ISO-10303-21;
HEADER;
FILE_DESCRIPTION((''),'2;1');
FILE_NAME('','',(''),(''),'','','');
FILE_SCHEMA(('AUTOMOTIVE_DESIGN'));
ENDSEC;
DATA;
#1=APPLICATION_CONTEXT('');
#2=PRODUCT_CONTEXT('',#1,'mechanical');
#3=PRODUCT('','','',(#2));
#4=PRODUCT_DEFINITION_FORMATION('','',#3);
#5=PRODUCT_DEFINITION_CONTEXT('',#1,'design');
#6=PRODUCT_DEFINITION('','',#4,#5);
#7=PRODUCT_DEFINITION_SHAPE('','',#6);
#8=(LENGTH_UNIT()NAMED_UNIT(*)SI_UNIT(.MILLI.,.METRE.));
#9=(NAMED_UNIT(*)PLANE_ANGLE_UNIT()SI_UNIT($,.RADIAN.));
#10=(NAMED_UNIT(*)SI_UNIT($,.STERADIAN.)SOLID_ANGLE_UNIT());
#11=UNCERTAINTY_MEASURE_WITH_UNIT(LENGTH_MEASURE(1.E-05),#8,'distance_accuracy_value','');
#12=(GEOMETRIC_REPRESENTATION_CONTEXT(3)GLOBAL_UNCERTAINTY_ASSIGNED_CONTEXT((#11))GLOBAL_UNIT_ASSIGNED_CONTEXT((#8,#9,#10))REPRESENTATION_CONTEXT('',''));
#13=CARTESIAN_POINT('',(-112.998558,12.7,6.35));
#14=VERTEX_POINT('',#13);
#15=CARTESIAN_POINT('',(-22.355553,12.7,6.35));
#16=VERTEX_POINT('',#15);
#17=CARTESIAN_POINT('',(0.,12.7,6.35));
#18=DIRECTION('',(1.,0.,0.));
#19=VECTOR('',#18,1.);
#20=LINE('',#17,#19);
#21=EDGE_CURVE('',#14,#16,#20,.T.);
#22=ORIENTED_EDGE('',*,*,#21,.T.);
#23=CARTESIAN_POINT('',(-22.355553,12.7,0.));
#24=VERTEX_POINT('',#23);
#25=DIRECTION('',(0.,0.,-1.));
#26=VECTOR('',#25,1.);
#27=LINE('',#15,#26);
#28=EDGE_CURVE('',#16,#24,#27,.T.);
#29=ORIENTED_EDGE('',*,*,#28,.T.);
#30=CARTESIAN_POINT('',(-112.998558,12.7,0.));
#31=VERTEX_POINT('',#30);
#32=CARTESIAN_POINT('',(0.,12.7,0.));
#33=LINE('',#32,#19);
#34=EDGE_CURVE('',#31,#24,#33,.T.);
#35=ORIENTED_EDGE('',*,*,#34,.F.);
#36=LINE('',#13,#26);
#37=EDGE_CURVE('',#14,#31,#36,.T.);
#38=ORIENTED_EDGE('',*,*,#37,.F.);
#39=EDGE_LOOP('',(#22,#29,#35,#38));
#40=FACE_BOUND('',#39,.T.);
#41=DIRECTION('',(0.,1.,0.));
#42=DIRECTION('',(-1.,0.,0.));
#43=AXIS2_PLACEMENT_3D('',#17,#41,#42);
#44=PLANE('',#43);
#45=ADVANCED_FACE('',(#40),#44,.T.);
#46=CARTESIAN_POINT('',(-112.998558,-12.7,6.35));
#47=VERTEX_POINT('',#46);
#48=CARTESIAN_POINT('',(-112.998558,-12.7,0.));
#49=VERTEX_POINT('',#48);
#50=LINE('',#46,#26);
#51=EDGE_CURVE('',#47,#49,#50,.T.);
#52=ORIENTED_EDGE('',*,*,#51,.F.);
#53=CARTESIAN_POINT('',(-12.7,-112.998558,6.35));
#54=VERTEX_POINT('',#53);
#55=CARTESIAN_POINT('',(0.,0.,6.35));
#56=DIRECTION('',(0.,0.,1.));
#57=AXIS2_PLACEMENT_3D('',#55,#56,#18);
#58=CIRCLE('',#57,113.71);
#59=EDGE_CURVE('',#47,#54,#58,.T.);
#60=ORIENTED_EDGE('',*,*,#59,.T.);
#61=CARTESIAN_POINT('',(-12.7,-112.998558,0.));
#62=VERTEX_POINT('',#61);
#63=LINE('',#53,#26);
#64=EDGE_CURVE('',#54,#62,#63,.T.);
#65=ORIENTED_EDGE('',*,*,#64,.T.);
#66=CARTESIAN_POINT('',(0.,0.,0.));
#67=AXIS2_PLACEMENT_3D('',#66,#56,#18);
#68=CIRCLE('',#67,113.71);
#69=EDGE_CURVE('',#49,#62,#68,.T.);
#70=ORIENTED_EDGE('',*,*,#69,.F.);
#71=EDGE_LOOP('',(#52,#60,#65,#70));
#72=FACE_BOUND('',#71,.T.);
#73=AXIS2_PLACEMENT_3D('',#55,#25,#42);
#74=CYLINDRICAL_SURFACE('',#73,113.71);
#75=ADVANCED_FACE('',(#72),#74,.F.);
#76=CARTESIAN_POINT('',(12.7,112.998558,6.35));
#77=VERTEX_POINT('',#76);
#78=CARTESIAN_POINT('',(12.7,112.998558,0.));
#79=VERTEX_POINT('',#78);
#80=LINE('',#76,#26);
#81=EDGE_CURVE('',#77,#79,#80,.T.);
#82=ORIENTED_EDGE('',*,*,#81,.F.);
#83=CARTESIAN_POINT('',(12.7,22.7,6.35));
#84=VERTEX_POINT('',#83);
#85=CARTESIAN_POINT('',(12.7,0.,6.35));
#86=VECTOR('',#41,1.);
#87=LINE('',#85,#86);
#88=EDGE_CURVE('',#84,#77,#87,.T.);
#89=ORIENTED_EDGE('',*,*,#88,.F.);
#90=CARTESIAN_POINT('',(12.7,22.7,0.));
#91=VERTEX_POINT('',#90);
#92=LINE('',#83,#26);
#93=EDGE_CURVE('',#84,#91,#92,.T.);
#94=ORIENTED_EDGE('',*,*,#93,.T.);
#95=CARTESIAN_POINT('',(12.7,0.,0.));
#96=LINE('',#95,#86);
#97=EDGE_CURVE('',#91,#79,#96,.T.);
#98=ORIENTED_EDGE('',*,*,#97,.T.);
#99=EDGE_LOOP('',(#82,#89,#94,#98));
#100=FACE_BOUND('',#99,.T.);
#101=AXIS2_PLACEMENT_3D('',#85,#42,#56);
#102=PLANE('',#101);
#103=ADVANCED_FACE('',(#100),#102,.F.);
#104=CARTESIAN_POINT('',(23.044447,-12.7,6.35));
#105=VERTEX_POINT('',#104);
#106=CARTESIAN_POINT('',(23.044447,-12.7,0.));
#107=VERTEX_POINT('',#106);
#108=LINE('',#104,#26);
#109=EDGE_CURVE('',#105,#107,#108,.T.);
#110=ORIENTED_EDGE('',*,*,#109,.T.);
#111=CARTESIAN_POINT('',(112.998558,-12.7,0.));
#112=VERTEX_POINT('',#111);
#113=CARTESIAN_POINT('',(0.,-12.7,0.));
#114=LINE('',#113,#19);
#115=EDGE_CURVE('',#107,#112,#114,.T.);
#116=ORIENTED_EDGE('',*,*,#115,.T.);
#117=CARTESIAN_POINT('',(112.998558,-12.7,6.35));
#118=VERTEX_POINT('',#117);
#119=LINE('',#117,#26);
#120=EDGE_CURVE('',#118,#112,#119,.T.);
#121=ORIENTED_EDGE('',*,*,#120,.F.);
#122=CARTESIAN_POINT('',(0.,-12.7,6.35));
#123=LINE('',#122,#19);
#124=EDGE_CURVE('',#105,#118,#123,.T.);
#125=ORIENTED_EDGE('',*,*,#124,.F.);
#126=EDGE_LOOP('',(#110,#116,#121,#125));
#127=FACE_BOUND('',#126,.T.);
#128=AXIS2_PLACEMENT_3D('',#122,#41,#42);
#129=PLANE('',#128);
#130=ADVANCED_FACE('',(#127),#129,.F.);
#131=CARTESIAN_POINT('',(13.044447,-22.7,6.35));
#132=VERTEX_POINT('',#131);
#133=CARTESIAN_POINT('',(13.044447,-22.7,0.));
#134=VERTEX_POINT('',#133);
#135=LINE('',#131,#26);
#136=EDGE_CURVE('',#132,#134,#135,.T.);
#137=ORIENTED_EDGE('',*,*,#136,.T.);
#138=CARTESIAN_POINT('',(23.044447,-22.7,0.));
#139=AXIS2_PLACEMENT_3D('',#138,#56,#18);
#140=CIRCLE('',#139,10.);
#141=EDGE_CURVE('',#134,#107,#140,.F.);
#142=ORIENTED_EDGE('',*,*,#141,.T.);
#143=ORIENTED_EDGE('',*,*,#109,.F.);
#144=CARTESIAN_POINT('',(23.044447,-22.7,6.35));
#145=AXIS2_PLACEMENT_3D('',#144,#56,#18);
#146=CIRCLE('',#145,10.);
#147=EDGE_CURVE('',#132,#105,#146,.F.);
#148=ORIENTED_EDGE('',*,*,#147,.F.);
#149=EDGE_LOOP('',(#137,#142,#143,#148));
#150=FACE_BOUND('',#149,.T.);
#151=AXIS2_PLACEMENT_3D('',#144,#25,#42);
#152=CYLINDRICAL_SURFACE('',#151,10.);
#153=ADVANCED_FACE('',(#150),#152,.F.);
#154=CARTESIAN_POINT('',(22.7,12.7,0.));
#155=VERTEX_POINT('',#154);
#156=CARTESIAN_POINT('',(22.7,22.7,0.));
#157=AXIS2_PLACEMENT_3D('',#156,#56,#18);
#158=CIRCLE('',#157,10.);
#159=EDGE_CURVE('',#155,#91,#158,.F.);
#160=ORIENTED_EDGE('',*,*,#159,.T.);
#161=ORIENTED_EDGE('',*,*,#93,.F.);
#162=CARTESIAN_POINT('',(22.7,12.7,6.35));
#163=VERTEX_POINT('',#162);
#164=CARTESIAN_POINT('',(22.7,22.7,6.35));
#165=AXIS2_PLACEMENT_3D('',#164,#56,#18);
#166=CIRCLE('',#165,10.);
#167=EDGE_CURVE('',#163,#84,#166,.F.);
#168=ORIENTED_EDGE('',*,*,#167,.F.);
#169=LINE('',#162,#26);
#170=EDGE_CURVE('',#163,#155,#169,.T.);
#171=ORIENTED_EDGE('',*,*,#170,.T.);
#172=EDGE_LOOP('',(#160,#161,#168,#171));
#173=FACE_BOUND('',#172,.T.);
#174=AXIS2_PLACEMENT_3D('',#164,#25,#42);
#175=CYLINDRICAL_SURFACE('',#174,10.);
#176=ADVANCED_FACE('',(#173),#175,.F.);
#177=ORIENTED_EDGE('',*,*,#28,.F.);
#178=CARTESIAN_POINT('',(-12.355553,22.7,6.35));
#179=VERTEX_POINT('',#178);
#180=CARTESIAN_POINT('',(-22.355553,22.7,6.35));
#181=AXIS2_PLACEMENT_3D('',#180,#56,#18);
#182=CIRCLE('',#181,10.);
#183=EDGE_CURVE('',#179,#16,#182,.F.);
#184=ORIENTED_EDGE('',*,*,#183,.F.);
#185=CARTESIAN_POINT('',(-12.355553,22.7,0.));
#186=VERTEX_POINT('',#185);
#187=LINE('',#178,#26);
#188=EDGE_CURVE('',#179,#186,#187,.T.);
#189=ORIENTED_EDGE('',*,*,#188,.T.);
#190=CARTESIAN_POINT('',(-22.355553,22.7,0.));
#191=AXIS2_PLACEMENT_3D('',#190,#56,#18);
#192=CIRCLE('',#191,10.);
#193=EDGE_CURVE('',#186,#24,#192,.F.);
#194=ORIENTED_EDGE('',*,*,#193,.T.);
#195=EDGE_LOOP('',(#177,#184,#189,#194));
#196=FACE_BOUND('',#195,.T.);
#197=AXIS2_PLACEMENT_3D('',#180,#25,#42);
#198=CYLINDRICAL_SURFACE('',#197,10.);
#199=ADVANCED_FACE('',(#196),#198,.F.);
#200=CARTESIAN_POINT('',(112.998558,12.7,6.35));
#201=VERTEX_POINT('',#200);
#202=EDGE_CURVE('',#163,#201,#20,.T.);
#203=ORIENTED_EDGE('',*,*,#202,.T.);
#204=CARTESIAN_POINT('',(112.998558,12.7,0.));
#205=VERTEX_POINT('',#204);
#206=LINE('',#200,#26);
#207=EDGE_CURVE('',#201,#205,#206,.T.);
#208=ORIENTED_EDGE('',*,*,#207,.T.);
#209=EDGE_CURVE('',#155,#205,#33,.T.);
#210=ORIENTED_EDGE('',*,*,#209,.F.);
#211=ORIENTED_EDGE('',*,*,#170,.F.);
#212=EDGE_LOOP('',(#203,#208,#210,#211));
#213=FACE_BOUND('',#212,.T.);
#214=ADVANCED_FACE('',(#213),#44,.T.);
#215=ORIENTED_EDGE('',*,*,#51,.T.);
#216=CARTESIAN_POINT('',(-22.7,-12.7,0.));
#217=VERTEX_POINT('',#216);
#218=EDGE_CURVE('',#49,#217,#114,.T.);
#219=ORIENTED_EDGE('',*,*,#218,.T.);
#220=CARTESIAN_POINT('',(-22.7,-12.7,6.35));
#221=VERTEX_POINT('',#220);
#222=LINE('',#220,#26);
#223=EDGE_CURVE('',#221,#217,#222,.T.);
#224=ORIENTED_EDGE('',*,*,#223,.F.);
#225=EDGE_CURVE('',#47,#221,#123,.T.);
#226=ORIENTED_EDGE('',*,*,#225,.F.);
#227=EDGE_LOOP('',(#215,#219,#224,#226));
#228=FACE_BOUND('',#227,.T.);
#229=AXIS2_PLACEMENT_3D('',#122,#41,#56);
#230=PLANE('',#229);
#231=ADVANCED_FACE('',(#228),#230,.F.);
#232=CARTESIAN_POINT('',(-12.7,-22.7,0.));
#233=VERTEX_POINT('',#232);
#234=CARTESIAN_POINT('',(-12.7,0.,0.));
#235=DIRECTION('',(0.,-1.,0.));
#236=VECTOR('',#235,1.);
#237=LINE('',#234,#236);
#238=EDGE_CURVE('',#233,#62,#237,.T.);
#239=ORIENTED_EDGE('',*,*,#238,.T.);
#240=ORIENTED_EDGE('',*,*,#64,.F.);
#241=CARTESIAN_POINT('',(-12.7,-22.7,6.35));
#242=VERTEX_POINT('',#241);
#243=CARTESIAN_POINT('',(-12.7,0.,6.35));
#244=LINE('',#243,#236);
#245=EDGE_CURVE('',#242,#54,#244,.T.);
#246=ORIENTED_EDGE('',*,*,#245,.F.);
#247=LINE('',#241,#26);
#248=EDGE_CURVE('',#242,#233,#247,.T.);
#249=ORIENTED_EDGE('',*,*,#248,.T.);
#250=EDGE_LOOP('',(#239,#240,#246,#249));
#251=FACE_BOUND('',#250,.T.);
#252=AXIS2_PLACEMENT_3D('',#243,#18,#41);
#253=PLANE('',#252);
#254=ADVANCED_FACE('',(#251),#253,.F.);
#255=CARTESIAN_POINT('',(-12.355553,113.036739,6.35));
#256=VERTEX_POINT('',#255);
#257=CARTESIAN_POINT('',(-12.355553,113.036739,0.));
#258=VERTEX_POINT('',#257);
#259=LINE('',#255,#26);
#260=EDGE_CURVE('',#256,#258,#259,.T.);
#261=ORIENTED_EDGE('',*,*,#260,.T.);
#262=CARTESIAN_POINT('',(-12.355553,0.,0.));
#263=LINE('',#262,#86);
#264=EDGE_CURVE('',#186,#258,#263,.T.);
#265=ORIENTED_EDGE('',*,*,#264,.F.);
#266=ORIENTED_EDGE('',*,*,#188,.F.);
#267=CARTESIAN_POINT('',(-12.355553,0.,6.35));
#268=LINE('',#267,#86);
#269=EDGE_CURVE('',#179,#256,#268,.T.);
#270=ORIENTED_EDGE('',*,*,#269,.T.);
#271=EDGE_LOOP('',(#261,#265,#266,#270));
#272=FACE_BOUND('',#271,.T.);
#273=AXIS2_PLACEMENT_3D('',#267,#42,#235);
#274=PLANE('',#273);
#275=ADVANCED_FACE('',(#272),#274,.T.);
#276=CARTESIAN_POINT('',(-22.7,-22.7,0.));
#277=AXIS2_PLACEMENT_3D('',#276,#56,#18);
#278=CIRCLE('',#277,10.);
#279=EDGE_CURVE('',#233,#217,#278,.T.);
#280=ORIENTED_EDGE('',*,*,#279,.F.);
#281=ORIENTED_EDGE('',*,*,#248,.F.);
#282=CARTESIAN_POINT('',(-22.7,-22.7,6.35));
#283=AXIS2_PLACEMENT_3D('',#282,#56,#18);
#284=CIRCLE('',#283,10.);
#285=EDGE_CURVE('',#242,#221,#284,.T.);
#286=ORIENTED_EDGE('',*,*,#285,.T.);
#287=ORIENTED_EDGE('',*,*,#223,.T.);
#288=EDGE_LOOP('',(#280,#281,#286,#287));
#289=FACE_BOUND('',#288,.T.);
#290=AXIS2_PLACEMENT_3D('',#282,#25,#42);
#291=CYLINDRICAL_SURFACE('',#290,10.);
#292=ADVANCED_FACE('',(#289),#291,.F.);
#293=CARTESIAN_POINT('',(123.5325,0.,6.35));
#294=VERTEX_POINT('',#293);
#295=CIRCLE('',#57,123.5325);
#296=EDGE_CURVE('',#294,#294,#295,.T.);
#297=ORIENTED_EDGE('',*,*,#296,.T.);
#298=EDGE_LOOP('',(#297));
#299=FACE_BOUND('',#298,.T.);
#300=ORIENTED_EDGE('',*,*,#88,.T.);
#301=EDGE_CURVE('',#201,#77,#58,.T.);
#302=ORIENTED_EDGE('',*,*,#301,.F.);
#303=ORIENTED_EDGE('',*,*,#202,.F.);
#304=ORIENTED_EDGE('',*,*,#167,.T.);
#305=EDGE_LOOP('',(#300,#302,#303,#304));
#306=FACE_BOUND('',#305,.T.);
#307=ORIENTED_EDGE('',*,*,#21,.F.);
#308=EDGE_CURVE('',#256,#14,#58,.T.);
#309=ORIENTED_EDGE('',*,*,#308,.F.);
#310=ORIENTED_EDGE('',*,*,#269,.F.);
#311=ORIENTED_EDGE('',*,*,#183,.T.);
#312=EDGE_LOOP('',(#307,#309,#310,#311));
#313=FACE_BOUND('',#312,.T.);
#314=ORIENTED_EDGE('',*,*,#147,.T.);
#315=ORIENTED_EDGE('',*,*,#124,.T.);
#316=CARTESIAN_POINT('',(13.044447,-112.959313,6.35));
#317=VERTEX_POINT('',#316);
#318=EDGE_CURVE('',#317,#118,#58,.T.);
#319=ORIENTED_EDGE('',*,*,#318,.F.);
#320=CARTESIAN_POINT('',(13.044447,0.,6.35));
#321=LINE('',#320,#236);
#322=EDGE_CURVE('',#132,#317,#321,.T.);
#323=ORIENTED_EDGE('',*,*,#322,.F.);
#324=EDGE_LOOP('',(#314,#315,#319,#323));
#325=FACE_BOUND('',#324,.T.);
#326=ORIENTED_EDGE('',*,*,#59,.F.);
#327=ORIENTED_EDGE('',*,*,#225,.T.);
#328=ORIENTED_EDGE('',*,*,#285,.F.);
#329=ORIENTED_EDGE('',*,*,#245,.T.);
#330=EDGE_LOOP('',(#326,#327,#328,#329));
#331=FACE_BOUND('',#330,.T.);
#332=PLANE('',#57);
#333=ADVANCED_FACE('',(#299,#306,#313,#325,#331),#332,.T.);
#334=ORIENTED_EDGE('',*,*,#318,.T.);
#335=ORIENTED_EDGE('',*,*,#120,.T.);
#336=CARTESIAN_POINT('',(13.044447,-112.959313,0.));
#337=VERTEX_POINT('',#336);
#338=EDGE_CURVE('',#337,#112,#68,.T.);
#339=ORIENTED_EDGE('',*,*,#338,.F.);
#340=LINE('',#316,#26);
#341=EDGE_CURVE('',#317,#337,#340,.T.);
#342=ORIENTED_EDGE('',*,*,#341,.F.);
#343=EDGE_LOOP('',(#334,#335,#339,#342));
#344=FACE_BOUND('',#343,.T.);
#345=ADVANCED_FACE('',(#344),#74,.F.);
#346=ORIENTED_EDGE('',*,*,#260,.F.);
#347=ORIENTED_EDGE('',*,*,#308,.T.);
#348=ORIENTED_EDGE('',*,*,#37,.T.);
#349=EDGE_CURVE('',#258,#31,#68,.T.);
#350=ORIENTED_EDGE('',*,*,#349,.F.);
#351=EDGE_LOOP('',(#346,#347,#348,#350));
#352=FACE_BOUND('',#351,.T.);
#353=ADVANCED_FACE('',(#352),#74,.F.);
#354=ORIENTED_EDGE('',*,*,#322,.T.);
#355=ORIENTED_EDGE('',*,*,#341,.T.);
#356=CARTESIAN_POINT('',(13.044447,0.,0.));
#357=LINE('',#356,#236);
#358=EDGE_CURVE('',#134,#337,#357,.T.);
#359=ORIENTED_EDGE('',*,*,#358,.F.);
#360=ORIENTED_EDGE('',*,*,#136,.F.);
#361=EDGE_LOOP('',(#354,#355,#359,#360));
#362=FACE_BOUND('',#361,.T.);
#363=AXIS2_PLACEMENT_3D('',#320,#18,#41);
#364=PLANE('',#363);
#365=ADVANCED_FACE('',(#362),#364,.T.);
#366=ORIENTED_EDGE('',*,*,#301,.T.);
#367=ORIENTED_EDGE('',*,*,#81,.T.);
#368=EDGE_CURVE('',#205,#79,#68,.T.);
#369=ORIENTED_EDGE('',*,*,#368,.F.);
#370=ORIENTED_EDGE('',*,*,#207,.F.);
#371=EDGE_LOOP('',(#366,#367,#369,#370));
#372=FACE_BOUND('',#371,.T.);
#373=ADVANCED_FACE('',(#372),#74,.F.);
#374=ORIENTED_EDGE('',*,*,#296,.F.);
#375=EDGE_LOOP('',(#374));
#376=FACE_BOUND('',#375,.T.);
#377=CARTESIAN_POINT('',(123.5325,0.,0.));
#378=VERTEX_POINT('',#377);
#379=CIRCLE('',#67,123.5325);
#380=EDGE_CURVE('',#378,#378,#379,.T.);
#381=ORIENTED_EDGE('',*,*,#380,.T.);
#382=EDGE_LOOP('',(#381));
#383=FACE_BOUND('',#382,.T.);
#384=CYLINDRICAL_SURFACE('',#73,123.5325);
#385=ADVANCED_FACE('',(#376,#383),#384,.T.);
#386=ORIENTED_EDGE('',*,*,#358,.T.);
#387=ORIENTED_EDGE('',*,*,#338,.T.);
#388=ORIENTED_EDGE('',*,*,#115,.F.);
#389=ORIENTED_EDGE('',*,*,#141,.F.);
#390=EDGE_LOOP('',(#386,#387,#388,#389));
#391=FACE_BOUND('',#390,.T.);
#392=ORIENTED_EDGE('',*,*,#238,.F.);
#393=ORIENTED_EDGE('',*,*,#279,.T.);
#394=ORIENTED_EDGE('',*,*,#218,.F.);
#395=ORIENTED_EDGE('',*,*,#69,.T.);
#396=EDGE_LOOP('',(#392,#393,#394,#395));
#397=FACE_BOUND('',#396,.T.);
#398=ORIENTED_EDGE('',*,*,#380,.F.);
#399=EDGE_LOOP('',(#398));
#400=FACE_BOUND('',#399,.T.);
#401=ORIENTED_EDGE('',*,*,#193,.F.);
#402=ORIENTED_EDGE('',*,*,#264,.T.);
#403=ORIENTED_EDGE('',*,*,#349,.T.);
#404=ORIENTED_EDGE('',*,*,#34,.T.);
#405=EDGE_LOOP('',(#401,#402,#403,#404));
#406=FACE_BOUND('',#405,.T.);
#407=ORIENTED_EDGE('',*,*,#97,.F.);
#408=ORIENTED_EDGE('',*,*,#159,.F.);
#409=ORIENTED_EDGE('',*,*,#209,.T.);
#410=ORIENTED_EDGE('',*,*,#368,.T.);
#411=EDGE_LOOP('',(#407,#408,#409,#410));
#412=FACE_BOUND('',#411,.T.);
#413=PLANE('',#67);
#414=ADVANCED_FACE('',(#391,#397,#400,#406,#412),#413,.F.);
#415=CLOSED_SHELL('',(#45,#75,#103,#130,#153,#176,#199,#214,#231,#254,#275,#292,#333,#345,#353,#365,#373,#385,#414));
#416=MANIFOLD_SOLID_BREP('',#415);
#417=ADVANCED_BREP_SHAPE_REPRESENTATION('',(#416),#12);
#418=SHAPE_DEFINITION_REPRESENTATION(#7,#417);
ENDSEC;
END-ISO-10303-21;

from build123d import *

# Parameters (mm, degrees)
SKETCH1_R           = 123.5325
SKETCH1_R_2         = 113.71
BOSS_EXTRUDE1_DEPTH = 6.35


with BuildPart() as part:
    # Sketch1 → Boss-Extrude1 (new body)
    # profile 1 of 2: a face of its own
    with BuildSketch(Plane.XY):
        Circle(SKETCH1_R)
        Circle(SKETCH1_R_2, mode=Mode.SUBTRACT)
    # profile 2 of 2: a face of its own
    with BuildSketch(Plane.XY):
        with BuildLine():
            ThreePointArc((22.7, 12.7), (15.628932188, 15.628932188), (12.7, 22.7))
            Line((12.7, 22.7), (12.7, 112.998557955))
            ThreePointArc((12.7, 112.998557955), (0.173278497, 113.709867974), (-12.355552704, 113.036739237))
            Line((-12.355552704, 113.036739237), (-12.355552704, 22.7))
            ThreePointArc((-12.355552704, 22.7), (-15.284484892, 15.628932188), (-22.355552704, 12.7))
            Line((-22.355552704, 12.7), (-112.998557955, 12.7))
            ThreePointArc((-112.998557955, 12.7), (-113.71, 0), (-112.998557955, -12.7))
            Line((-112.998557955, -12.7), (-22.7, -12.7))
            ThreePointArc((-22.7, -12.7), (-15.628932188, -15.628932188), (-12.7, -22.7))
            Line((-12.7, -22.7), (-12.7, -112.998557955))
            ThreePointArc((-12.7, -112.998557955), (0.173337872, -113.709867883), (13.044447296, -112.959313448))
            Line((13.044447296, -112.959313448), (13.044447296, -22.7))
            ThreePointArc((13.044447296, -22.7), (15.973379485, -15.628932188), (23.044447296, -12.7))
            Line((23.044447296, -12.7), (112.998557955, -12.7))
            ThreePointArc((112.998557955, -12.7), (113.53200017, -6.359955774), (113.71, 0))
            ThreePointArc((113.71, 0), (113.53200017, 6.359955774), (112.998557955, 12.7))
            Line((112.998557955, 12.7), (22.7, 12.7))
        make_face()
    extrude(amount=BOSS_EXTRUDE1_DEPTH)


solid = part.part
